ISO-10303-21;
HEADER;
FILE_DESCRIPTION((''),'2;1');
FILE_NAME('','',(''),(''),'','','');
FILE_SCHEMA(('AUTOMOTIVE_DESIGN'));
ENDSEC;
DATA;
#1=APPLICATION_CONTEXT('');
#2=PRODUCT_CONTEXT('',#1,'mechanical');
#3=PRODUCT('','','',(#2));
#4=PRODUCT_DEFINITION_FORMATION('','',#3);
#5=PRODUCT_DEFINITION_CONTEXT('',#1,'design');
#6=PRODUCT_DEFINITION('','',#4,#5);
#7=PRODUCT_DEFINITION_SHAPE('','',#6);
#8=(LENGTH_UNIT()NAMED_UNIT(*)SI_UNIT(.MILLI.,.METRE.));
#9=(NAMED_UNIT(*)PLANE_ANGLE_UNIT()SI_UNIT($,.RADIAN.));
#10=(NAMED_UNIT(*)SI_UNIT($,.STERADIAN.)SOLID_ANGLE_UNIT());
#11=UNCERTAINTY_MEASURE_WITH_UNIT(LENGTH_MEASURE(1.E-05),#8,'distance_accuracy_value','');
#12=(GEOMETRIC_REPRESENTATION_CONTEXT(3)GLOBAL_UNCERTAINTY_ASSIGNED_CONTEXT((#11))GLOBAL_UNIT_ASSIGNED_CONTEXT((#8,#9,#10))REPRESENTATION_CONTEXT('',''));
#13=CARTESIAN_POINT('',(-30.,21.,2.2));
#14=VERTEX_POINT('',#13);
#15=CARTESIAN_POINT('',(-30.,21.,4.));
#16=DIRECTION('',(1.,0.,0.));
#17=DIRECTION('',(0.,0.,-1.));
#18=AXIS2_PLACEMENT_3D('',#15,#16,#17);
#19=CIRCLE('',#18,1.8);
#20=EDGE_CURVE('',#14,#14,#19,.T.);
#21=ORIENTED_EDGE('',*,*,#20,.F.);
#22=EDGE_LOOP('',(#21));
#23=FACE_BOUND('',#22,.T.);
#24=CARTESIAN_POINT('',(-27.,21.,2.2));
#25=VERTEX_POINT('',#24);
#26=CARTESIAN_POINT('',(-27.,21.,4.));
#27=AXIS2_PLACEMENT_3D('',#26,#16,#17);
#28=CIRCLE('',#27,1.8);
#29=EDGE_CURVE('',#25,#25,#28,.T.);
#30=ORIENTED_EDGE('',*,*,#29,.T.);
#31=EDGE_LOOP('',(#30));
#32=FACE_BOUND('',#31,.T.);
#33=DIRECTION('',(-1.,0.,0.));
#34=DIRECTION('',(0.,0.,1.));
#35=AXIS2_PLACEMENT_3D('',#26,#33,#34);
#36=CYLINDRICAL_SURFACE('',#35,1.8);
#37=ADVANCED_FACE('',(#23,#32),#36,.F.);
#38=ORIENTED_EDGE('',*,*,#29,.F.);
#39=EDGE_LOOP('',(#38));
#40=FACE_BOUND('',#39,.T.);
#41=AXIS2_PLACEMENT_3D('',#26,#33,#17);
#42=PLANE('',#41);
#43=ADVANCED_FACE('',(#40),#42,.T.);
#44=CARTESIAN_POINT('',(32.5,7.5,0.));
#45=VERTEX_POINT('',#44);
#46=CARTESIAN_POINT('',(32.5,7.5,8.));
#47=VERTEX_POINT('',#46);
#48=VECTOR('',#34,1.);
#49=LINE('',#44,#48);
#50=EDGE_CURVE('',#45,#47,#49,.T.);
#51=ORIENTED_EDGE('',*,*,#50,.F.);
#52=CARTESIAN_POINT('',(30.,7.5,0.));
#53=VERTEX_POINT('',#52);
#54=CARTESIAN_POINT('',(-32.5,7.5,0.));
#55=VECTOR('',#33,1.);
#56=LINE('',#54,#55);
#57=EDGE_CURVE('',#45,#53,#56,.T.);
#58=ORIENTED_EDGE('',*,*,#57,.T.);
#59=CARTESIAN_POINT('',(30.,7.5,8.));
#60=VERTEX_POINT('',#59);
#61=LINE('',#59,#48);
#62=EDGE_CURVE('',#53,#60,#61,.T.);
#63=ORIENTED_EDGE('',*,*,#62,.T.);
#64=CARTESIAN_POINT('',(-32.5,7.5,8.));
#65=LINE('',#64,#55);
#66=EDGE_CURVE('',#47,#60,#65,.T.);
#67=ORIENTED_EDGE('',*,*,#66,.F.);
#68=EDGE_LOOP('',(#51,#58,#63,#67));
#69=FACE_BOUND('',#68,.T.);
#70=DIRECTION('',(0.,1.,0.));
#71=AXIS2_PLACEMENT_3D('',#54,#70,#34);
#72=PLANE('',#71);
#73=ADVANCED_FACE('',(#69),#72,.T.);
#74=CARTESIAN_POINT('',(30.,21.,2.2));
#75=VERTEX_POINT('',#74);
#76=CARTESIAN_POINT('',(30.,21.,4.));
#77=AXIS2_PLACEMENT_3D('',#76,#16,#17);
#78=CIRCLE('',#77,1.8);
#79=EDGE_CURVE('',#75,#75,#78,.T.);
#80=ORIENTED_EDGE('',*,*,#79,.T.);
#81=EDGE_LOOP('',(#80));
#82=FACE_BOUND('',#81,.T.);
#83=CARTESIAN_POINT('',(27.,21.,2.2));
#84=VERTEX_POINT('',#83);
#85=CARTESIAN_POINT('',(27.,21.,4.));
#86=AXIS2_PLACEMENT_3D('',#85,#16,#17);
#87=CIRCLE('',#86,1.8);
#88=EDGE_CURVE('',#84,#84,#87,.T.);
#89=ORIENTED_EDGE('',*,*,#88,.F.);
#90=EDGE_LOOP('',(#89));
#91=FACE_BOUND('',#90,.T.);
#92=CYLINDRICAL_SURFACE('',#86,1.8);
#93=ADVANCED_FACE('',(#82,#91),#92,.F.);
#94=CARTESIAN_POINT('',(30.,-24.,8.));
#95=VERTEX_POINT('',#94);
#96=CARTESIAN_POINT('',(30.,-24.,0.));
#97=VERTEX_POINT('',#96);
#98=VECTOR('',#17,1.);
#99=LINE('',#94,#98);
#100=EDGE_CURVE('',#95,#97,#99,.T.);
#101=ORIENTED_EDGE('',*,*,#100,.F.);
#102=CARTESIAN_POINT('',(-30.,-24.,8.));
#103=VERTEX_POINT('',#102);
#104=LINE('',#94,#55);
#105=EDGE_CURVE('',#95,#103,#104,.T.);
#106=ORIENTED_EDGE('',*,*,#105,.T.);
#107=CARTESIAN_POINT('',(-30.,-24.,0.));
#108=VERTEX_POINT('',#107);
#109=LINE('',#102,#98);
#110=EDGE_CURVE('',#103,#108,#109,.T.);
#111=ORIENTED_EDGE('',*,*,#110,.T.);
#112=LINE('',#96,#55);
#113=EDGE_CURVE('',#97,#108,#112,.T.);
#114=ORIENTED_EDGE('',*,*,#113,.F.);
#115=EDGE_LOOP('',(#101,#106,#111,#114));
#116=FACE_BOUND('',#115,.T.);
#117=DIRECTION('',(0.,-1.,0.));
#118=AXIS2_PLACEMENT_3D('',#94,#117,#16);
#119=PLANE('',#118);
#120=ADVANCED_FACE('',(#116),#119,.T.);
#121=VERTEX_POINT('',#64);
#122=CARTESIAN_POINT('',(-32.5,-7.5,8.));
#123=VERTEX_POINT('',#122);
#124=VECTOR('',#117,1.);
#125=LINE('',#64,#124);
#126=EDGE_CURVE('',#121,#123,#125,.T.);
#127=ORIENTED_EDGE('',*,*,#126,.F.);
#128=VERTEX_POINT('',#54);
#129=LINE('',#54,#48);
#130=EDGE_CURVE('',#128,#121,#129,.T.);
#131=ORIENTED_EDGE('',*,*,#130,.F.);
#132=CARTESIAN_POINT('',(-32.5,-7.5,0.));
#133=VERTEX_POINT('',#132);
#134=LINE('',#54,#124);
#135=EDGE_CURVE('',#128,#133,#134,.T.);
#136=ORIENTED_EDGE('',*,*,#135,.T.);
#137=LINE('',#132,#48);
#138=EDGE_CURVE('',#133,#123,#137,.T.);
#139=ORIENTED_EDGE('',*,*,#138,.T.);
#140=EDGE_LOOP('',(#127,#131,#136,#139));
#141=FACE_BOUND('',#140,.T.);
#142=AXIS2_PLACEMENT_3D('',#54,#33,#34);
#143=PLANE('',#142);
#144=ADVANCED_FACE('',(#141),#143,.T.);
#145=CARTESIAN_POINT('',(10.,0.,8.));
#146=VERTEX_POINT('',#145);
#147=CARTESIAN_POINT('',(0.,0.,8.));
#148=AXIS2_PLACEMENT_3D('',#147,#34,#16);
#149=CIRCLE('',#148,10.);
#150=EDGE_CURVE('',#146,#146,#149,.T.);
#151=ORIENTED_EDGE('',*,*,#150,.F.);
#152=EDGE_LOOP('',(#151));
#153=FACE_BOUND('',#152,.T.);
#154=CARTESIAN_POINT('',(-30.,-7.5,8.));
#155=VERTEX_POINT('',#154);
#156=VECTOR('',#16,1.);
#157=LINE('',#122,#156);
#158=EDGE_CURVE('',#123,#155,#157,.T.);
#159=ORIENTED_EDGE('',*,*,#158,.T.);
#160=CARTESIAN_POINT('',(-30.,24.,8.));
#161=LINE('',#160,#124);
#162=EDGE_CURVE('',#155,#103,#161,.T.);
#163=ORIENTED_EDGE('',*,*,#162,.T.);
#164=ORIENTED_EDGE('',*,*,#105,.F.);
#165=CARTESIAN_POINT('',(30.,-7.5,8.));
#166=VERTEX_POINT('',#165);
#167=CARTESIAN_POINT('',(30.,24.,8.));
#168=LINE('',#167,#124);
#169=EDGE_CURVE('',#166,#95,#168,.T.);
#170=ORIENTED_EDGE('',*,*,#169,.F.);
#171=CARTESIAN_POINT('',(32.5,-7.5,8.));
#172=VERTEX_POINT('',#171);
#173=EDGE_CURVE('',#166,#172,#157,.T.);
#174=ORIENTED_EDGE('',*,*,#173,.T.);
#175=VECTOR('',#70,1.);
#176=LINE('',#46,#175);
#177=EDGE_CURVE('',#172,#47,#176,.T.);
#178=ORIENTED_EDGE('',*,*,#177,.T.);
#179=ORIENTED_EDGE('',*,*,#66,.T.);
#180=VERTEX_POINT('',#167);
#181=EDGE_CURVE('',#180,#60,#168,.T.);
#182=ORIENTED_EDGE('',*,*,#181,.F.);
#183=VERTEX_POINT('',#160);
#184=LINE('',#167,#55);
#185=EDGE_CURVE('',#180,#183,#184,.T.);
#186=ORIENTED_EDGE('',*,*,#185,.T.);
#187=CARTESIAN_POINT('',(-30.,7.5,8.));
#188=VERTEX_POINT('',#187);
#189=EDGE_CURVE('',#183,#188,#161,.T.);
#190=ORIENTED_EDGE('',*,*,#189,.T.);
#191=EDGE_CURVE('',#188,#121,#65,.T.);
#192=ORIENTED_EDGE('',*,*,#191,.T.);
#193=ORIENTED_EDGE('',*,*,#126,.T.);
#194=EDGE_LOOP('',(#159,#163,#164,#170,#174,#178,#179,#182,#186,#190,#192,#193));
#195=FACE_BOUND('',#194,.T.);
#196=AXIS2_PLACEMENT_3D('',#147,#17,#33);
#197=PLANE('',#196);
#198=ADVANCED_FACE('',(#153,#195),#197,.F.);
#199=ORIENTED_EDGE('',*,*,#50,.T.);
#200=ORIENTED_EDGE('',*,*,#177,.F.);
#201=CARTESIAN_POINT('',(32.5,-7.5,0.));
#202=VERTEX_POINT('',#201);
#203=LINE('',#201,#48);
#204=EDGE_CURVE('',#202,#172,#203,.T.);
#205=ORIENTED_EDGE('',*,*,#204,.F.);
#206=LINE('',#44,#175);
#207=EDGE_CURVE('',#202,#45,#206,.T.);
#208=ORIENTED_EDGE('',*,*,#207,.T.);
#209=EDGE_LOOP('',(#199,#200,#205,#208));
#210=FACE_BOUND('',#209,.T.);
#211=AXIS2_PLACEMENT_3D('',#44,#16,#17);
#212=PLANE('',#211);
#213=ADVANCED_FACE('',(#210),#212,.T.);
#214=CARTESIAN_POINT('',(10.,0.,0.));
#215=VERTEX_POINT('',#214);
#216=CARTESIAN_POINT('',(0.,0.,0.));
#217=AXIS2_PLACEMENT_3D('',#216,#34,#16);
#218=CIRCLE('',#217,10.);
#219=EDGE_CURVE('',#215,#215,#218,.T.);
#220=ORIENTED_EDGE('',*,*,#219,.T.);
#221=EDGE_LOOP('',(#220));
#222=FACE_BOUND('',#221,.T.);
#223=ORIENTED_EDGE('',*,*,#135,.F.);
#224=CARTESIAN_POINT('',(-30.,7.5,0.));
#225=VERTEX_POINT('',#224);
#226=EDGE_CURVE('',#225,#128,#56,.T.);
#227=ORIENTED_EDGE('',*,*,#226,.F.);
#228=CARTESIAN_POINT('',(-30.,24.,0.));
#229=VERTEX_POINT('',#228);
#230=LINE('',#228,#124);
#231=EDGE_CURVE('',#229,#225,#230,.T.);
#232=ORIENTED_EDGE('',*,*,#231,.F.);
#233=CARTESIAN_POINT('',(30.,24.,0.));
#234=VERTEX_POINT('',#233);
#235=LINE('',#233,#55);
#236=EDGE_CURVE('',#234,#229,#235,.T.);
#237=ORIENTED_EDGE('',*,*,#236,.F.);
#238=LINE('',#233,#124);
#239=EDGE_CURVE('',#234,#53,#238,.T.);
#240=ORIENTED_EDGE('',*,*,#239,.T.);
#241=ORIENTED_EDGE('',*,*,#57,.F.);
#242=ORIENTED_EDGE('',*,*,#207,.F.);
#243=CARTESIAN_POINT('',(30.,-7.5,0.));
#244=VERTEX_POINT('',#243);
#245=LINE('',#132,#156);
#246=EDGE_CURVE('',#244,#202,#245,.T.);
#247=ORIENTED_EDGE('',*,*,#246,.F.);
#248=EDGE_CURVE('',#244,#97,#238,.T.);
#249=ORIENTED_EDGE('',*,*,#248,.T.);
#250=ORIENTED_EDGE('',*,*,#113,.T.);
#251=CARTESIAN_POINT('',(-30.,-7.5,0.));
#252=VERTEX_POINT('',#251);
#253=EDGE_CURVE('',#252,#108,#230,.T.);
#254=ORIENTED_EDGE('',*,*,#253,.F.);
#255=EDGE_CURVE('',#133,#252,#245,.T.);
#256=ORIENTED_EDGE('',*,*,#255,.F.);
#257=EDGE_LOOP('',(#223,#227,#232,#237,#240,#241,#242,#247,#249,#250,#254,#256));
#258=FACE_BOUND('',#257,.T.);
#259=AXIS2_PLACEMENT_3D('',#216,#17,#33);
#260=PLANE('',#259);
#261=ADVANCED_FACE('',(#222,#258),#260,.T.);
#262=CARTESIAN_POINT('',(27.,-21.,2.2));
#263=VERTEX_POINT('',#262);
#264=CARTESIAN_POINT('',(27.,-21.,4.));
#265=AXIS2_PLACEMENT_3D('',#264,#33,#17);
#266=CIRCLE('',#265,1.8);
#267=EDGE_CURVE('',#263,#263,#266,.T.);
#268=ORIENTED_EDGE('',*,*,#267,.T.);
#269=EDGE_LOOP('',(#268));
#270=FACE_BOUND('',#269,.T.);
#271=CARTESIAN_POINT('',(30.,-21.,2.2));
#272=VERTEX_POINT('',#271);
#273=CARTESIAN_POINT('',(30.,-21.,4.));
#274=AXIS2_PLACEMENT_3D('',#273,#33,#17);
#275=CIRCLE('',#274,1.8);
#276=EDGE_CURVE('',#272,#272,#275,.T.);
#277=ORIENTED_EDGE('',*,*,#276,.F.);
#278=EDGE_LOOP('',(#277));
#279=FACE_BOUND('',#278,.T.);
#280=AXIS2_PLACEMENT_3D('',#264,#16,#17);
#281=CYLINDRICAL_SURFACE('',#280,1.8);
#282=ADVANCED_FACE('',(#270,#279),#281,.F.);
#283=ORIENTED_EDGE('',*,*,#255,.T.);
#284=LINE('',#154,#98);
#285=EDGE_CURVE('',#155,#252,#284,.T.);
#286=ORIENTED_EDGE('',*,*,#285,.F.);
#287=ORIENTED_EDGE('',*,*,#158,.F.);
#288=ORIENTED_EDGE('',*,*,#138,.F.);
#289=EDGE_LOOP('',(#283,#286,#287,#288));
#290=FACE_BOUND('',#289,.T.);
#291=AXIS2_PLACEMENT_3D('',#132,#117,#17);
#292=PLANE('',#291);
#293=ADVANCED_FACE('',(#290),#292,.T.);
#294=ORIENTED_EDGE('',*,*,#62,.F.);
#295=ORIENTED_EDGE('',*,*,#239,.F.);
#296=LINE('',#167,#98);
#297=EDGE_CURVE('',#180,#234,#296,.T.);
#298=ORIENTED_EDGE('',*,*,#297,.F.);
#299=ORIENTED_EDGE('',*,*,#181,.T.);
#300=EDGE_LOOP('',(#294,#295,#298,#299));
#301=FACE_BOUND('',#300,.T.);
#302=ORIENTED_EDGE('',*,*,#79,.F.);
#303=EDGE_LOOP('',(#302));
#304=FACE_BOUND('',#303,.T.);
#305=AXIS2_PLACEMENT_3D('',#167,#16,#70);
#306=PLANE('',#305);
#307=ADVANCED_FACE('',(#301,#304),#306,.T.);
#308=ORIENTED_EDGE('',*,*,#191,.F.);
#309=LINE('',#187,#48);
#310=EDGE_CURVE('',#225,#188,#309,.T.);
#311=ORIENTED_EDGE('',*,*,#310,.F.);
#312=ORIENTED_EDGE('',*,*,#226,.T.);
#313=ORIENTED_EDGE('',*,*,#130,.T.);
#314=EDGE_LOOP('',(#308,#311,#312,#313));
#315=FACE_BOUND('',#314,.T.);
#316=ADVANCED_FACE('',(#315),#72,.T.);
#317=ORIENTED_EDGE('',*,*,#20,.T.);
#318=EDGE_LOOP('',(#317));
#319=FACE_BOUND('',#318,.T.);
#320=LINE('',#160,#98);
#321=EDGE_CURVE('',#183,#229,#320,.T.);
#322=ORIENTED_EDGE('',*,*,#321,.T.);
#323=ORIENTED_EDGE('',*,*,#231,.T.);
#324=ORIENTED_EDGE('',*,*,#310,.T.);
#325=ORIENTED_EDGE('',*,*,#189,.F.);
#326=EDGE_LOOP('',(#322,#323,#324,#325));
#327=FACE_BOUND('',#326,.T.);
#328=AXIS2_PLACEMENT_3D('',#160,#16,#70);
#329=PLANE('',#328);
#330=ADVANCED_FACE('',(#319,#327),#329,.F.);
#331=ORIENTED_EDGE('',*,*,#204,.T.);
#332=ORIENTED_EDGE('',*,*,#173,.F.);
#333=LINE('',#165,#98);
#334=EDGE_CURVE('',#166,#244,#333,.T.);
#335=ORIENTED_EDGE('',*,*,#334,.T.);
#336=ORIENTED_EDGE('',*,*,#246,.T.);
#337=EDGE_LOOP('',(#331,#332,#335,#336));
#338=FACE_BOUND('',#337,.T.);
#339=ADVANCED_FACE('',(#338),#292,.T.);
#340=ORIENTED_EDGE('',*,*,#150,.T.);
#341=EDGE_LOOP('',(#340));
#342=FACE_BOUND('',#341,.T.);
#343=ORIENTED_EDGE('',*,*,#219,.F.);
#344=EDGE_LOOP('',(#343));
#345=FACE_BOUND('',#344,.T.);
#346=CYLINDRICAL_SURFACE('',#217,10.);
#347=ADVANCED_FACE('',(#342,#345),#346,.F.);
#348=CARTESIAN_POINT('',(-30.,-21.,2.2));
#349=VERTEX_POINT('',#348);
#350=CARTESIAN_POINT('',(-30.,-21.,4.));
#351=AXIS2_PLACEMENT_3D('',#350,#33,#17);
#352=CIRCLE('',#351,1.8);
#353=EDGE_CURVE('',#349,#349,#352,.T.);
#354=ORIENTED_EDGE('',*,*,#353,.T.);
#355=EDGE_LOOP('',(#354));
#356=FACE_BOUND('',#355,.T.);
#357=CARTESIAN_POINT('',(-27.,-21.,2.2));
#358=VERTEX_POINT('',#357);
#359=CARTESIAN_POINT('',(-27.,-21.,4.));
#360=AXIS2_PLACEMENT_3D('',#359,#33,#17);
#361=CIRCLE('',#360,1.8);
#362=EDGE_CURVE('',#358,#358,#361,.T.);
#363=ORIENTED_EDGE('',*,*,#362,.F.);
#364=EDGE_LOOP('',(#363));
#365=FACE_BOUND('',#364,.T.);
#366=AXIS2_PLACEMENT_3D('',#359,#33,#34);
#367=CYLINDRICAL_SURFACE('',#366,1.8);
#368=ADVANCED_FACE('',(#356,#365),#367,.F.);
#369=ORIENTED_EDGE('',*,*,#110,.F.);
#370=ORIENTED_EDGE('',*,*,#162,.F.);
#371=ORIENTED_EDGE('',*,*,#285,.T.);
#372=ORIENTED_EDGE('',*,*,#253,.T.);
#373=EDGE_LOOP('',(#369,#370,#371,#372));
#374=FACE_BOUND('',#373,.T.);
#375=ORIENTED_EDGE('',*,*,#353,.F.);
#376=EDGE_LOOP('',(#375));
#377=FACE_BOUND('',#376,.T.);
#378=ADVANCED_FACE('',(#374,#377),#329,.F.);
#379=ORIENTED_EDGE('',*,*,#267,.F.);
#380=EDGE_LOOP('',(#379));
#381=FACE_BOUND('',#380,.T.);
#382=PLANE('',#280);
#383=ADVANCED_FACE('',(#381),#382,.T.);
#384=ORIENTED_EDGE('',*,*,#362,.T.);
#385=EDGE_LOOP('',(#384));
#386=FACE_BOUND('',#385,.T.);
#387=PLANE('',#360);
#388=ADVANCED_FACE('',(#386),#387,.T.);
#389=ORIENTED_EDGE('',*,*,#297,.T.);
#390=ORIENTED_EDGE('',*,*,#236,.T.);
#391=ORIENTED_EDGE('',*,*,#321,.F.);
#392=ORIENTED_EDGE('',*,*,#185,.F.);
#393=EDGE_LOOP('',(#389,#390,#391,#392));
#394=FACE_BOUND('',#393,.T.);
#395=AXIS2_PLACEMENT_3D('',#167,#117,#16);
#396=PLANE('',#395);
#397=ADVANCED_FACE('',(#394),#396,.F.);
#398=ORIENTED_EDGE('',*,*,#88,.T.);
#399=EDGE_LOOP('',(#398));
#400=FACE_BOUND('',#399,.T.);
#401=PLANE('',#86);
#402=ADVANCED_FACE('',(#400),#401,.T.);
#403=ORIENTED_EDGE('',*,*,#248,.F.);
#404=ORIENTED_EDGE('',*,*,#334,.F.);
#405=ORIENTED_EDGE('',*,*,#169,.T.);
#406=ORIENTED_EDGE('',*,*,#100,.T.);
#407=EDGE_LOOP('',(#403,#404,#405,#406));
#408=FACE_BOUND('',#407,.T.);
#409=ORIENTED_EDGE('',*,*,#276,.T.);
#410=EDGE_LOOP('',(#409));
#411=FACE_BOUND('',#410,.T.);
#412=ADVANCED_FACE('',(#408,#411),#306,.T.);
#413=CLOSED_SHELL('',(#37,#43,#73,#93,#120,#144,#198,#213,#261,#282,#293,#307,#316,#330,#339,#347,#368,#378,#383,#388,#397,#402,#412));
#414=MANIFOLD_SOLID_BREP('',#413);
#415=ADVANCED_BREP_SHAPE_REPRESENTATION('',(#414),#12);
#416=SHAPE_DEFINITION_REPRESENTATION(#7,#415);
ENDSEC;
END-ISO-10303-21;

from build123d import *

# Parameters (mm, degrees)
SKETCH_1_W               = 60
SKETCH_1_H               = 48
EXTRUDE_1_DEPTH          = 8
SKETCH_3_W               = 65
SKETCH_3_H               = 15
EXTRUDE_2_DEPTH          = 8
SKETCH_5_R               = 1.8
CUT_EXTRUDE_1_DEPTH      = 3
MIRROR_3_COPY_1_SKETCH_R = 1.8
MIRROR_3_COPY_1_DEPTH    = 3
MIRROR_3_COPY_2_SKETCH_R = 1.8
MIRROR_3_COPY_2_DEPTH    = 3
SKETCH_7_R               = 10
CUT_EXTRUDE_2_DEPTH      = 8


with BuildPart() as part:
    # 草图1 → 凸台-拉伸1 (new body)
    with BuildSketch(Plane.XY):
        Rectangle(SKETCH_1_W, SKETCH_1_H)
    extrude(amount=EXTRUDE_1_DEPTH)

    # 草图3 → 凸台-拉伸2 (add)
    with BuildSketch(Plane.XY.offset(8)):
        Rectangle(SKETCH_3_W, SKETCH_3_H)
    extrude(amount=-EXTRUDE_2_DEPTH)

    # 草图5 → 切除-拉伸1 (cut)
    with BuildSketch(Plane(origin=(30, 0, 0), x_dir=(0, 0, -1), z_dir=(1, 0, 0))):
        with Locations((-4, 21)):
            Circle(SKETCH_5_R)
    cut_extrude_1 = extrude(amount=-CUT_EXTRUDE_1_DEPTH, mode=Mode.SUBTRACT)

    # 镜向2: 切除-拉伸1 across plane
    add(cut_extrude_1.mirror(Plane.ZX), mode=Mode.SUBTRACT)

    # 镜向3 copy 1 sketch → 镜向3 copy 1 (cut)
    with BuildSketch(Plane(origin=(-30, 0, 0), x_dir=(0, 0, -1), z_dir=(-1, 0, 0))):
        with Locations((-4, 21)):
            Circle(MIRROR_3_COPY_1_SKETCH_R)
    extrude(amount=-MIRROR_3_COPY_1_DEPTH, mode=Mode.SUBTRACT)

    # 镜向3 copy 2 sketch → 镜向3 copy 2 (cut)
    with BuildSketch(Plane(origin=(-30, 0, 0), x_dir=(0, 0, -1), z_dir=(-1, 0, 0))):
        with Locations((-4, -21)):
            Circle(MIRROR_3_COPY_2_SKETCH_R)
    extrude(amount=-MIRROR_3_COPY_2_DEPTH, mode=Mode.SUBTRACT)

    # 草图7 → 切除-拉伸2 (cut)
    with BuildSketch(Plane.XY.offset(8)):
        Circle(SKETCH_7_R)
    extrude(amount=-CUT_EXTRUDE_2_DEPTH, mode=Mode.SUBTRACT)


solid = part.part
